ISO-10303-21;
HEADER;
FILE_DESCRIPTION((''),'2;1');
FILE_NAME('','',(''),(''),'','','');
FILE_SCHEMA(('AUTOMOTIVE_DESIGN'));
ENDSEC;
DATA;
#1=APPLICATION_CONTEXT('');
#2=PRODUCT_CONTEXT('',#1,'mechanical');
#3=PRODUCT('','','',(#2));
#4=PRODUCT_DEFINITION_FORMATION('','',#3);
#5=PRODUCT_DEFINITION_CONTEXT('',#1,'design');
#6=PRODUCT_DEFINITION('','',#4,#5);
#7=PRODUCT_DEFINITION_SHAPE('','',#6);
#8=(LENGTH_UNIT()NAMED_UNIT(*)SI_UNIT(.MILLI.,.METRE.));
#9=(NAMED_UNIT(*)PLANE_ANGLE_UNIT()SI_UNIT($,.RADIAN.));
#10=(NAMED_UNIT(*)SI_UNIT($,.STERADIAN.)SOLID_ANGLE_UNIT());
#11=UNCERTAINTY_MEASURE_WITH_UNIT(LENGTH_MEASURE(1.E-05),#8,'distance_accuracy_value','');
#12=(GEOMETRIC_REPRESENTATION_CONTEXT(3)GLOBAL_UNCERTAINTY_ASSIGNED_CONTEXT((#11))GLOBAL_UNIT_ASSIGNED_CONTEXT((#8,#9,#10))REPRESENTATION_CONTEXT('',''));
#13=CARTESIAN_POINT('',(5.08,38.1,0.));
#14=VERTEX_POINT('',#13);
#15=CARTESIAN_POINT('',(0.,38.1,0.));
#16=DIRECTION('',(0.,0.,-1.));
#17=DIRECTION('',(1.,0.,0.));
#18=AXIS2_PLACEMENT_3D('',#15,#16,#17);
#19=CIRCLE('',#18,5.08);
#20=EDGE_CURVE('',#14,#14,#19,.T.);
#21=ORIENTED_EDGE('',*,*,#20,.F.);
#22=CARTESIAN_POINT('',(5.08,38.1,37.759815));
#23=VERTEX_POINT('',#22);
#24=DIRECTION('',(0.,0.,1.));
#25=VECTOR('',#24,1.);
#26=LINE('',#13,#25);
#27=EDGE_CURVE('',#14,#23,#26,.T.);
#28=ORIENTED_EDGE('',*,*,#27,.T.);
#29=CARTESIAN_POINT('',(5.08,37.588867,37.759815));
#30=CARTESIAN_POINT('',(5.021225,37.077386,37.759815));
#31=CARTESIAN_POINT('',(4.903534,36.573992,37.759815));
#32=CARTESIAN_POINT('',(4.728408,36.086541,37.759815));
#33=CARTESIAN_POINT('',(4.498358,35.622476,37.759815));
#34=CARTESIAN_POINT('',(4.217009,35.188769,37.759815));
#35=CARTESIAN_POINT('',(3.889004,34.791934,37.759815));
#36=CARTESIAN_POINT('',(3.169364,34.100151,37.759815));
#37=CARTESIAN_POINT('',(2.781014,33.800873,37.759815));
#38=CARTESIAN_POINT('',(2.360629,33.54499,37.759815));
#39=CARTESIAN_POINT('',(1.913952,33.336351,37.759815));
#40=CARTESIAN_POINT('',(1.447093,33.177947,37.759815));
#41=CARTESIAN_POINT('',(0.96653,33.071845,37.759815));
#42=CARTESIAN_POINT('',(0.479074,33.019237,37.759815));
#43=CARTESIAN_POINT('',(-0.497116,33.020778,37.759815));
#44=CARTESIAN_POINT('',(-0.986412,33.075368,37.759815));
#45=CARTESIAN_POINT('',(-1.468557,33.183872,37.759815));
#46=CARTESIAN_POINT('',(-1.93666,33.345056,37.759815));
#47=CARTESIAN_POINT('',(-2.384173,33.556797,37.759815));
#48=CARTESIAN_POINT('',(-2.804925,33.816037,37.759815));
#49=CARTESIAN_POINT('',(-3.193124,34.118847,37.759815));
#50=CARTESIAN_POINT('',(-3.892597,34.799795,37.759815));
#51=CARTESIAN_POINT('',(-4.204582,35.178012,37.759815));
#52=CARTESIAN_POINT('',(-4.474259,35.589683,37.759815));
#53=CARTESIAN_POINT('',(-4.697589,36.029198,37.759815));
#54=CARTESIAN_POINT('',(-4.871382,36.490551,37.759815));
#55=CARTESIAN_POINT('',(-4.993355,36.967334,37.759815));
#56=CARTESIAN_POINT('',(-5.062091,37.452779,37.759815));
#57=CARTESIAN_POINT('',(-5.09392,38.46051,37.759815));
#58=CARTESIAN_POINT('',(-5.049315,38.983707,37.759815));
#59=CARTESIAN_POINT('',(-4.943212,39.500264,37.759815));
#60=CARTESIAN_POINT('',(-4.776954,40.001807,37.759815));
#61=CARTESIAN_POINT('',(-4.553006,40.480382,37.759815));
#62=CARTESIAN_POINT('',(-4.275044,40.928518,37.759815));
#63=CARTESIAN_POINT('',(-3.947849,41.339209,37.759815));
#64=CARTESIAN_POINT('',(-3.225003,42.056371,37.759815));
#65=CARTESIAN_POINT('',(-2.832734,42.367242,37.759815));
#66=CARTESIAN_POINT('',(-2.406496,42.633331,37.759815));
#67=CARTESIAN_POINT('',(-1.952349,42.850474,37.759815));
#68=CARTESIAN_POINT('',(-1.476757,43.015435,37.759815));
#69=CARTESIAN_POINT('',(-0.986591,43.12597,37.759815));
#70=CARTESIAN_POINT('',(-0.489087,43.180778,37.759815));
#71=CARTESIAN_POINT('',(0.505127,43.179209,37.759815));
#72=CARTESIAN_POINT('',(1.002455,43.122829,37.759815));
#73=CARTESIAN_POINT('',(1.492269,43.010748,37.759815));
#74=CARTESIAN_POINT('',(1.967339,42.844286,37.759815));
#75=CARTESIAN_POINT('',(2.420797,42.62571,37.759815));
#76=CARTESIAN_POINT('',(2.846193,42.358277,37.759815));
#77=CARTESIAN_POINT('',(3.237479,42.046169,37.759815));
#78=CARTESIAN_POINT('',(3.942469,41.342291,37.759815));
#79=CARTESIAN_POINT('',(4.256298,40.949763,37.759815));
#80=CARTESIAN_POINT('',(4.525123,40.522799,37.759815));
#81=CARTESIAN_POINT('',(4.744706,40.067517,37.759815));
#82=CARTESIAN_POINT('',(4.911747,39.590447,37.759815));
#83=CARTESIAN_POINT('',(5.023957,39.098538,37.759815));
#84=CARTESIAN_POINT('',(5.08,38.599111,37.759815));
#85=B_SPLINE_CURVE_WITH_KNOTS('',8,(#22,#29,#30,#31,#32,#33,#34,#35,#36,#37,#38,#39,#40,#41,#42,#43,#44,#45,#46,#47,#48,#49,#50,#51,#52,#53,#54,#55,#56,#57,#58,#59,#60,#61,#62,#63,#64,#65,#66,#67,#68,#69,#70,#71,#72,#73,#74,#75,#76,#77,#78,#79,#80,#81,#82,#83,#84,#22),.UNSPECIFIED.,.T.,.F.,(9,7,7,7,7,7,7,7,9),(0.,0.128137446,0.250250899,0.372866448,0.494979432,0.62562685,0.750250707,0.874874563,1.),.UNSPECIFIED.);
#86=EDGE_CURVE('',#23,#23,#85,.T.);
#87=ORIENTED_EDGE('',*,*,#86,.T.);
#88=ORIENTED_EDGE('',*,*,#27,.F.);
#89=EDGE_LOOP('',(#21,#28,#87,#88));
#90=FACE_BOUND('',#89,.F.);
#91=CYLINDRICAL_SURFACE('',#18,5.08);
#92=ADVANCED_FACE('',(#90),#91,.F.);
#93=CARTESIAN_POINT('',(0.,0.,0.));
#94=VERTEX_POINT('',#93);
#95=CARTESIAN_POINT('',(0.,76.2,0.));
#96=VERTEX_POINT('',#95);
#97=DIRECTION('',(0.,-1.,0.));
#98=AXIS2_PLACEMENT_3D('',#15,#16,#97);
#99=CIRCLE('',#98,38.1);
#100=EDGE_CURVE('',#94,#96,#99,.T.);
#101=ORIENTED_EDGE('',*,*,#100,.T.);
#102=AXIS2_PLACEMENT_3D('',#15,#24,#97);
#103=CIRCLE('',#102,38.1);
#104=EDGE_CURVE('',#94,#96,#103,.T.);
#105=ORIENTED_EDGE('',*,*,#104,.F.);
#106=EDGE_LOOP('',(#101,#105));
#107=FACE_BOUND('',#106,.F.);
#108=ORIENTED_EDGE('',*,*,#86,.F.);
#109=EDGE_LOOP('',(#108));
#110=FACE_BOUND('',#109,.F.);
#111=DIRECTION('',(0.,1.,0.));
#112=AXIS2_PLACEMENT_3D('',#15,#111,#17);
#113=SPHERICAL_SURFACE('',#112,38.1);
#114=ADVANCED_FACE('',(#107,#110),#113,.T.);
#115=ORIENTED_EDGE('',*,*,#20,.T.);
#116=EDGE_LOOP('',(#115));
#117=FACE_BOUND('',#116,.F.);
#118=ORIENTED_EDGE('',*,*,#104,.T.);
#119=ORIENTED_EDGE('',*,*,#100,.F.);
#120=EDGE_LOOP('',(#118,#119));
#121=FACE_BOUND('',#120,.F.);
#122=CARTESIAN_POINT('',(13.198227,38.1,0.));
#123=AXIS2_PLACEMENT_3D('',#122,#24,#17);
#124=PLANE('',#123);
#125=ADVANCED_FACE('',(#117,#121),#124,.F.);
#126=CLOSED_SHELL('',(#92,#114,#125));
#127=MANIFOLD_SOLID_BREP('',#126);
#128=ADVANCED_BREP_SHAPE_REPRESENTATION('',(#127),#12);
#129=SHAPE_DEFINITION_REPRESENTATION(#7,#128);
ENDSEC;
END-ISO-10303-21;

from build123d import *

# Parameters (mm, degrees)
F1_ANGLE = -180
F2_R     = 5.08
F3_DEPTH = 38.1


with BuildPart() as f1:
    # F0 (on Top) → F1 (revolve)
    with BuildSketch(Plane.XY):
        with BuildLine():
            Line((0, 76.2), (0, 0))
            ThreePointArc((0, 0), (38.1, 38.1), (0, 76.2))
        make_face()
    revolve(axis=Axis((0, 38.1, 0), (0, 1, 0)), revolution_arc=F1_ANGLE)

    # F2 (on face) → F3 (cut)
    with BuildSketch(Plane(origin=(0, 0, 0), x_dir=(1, 0, 0), z_dir=(0, 0, -1))):
        with Locations((0, -38.1)):
            Circle(F2_R)
    extrude(amount=-F3_DEPTH, mode=Mode.SUBTRACT)


solid = f1.part
